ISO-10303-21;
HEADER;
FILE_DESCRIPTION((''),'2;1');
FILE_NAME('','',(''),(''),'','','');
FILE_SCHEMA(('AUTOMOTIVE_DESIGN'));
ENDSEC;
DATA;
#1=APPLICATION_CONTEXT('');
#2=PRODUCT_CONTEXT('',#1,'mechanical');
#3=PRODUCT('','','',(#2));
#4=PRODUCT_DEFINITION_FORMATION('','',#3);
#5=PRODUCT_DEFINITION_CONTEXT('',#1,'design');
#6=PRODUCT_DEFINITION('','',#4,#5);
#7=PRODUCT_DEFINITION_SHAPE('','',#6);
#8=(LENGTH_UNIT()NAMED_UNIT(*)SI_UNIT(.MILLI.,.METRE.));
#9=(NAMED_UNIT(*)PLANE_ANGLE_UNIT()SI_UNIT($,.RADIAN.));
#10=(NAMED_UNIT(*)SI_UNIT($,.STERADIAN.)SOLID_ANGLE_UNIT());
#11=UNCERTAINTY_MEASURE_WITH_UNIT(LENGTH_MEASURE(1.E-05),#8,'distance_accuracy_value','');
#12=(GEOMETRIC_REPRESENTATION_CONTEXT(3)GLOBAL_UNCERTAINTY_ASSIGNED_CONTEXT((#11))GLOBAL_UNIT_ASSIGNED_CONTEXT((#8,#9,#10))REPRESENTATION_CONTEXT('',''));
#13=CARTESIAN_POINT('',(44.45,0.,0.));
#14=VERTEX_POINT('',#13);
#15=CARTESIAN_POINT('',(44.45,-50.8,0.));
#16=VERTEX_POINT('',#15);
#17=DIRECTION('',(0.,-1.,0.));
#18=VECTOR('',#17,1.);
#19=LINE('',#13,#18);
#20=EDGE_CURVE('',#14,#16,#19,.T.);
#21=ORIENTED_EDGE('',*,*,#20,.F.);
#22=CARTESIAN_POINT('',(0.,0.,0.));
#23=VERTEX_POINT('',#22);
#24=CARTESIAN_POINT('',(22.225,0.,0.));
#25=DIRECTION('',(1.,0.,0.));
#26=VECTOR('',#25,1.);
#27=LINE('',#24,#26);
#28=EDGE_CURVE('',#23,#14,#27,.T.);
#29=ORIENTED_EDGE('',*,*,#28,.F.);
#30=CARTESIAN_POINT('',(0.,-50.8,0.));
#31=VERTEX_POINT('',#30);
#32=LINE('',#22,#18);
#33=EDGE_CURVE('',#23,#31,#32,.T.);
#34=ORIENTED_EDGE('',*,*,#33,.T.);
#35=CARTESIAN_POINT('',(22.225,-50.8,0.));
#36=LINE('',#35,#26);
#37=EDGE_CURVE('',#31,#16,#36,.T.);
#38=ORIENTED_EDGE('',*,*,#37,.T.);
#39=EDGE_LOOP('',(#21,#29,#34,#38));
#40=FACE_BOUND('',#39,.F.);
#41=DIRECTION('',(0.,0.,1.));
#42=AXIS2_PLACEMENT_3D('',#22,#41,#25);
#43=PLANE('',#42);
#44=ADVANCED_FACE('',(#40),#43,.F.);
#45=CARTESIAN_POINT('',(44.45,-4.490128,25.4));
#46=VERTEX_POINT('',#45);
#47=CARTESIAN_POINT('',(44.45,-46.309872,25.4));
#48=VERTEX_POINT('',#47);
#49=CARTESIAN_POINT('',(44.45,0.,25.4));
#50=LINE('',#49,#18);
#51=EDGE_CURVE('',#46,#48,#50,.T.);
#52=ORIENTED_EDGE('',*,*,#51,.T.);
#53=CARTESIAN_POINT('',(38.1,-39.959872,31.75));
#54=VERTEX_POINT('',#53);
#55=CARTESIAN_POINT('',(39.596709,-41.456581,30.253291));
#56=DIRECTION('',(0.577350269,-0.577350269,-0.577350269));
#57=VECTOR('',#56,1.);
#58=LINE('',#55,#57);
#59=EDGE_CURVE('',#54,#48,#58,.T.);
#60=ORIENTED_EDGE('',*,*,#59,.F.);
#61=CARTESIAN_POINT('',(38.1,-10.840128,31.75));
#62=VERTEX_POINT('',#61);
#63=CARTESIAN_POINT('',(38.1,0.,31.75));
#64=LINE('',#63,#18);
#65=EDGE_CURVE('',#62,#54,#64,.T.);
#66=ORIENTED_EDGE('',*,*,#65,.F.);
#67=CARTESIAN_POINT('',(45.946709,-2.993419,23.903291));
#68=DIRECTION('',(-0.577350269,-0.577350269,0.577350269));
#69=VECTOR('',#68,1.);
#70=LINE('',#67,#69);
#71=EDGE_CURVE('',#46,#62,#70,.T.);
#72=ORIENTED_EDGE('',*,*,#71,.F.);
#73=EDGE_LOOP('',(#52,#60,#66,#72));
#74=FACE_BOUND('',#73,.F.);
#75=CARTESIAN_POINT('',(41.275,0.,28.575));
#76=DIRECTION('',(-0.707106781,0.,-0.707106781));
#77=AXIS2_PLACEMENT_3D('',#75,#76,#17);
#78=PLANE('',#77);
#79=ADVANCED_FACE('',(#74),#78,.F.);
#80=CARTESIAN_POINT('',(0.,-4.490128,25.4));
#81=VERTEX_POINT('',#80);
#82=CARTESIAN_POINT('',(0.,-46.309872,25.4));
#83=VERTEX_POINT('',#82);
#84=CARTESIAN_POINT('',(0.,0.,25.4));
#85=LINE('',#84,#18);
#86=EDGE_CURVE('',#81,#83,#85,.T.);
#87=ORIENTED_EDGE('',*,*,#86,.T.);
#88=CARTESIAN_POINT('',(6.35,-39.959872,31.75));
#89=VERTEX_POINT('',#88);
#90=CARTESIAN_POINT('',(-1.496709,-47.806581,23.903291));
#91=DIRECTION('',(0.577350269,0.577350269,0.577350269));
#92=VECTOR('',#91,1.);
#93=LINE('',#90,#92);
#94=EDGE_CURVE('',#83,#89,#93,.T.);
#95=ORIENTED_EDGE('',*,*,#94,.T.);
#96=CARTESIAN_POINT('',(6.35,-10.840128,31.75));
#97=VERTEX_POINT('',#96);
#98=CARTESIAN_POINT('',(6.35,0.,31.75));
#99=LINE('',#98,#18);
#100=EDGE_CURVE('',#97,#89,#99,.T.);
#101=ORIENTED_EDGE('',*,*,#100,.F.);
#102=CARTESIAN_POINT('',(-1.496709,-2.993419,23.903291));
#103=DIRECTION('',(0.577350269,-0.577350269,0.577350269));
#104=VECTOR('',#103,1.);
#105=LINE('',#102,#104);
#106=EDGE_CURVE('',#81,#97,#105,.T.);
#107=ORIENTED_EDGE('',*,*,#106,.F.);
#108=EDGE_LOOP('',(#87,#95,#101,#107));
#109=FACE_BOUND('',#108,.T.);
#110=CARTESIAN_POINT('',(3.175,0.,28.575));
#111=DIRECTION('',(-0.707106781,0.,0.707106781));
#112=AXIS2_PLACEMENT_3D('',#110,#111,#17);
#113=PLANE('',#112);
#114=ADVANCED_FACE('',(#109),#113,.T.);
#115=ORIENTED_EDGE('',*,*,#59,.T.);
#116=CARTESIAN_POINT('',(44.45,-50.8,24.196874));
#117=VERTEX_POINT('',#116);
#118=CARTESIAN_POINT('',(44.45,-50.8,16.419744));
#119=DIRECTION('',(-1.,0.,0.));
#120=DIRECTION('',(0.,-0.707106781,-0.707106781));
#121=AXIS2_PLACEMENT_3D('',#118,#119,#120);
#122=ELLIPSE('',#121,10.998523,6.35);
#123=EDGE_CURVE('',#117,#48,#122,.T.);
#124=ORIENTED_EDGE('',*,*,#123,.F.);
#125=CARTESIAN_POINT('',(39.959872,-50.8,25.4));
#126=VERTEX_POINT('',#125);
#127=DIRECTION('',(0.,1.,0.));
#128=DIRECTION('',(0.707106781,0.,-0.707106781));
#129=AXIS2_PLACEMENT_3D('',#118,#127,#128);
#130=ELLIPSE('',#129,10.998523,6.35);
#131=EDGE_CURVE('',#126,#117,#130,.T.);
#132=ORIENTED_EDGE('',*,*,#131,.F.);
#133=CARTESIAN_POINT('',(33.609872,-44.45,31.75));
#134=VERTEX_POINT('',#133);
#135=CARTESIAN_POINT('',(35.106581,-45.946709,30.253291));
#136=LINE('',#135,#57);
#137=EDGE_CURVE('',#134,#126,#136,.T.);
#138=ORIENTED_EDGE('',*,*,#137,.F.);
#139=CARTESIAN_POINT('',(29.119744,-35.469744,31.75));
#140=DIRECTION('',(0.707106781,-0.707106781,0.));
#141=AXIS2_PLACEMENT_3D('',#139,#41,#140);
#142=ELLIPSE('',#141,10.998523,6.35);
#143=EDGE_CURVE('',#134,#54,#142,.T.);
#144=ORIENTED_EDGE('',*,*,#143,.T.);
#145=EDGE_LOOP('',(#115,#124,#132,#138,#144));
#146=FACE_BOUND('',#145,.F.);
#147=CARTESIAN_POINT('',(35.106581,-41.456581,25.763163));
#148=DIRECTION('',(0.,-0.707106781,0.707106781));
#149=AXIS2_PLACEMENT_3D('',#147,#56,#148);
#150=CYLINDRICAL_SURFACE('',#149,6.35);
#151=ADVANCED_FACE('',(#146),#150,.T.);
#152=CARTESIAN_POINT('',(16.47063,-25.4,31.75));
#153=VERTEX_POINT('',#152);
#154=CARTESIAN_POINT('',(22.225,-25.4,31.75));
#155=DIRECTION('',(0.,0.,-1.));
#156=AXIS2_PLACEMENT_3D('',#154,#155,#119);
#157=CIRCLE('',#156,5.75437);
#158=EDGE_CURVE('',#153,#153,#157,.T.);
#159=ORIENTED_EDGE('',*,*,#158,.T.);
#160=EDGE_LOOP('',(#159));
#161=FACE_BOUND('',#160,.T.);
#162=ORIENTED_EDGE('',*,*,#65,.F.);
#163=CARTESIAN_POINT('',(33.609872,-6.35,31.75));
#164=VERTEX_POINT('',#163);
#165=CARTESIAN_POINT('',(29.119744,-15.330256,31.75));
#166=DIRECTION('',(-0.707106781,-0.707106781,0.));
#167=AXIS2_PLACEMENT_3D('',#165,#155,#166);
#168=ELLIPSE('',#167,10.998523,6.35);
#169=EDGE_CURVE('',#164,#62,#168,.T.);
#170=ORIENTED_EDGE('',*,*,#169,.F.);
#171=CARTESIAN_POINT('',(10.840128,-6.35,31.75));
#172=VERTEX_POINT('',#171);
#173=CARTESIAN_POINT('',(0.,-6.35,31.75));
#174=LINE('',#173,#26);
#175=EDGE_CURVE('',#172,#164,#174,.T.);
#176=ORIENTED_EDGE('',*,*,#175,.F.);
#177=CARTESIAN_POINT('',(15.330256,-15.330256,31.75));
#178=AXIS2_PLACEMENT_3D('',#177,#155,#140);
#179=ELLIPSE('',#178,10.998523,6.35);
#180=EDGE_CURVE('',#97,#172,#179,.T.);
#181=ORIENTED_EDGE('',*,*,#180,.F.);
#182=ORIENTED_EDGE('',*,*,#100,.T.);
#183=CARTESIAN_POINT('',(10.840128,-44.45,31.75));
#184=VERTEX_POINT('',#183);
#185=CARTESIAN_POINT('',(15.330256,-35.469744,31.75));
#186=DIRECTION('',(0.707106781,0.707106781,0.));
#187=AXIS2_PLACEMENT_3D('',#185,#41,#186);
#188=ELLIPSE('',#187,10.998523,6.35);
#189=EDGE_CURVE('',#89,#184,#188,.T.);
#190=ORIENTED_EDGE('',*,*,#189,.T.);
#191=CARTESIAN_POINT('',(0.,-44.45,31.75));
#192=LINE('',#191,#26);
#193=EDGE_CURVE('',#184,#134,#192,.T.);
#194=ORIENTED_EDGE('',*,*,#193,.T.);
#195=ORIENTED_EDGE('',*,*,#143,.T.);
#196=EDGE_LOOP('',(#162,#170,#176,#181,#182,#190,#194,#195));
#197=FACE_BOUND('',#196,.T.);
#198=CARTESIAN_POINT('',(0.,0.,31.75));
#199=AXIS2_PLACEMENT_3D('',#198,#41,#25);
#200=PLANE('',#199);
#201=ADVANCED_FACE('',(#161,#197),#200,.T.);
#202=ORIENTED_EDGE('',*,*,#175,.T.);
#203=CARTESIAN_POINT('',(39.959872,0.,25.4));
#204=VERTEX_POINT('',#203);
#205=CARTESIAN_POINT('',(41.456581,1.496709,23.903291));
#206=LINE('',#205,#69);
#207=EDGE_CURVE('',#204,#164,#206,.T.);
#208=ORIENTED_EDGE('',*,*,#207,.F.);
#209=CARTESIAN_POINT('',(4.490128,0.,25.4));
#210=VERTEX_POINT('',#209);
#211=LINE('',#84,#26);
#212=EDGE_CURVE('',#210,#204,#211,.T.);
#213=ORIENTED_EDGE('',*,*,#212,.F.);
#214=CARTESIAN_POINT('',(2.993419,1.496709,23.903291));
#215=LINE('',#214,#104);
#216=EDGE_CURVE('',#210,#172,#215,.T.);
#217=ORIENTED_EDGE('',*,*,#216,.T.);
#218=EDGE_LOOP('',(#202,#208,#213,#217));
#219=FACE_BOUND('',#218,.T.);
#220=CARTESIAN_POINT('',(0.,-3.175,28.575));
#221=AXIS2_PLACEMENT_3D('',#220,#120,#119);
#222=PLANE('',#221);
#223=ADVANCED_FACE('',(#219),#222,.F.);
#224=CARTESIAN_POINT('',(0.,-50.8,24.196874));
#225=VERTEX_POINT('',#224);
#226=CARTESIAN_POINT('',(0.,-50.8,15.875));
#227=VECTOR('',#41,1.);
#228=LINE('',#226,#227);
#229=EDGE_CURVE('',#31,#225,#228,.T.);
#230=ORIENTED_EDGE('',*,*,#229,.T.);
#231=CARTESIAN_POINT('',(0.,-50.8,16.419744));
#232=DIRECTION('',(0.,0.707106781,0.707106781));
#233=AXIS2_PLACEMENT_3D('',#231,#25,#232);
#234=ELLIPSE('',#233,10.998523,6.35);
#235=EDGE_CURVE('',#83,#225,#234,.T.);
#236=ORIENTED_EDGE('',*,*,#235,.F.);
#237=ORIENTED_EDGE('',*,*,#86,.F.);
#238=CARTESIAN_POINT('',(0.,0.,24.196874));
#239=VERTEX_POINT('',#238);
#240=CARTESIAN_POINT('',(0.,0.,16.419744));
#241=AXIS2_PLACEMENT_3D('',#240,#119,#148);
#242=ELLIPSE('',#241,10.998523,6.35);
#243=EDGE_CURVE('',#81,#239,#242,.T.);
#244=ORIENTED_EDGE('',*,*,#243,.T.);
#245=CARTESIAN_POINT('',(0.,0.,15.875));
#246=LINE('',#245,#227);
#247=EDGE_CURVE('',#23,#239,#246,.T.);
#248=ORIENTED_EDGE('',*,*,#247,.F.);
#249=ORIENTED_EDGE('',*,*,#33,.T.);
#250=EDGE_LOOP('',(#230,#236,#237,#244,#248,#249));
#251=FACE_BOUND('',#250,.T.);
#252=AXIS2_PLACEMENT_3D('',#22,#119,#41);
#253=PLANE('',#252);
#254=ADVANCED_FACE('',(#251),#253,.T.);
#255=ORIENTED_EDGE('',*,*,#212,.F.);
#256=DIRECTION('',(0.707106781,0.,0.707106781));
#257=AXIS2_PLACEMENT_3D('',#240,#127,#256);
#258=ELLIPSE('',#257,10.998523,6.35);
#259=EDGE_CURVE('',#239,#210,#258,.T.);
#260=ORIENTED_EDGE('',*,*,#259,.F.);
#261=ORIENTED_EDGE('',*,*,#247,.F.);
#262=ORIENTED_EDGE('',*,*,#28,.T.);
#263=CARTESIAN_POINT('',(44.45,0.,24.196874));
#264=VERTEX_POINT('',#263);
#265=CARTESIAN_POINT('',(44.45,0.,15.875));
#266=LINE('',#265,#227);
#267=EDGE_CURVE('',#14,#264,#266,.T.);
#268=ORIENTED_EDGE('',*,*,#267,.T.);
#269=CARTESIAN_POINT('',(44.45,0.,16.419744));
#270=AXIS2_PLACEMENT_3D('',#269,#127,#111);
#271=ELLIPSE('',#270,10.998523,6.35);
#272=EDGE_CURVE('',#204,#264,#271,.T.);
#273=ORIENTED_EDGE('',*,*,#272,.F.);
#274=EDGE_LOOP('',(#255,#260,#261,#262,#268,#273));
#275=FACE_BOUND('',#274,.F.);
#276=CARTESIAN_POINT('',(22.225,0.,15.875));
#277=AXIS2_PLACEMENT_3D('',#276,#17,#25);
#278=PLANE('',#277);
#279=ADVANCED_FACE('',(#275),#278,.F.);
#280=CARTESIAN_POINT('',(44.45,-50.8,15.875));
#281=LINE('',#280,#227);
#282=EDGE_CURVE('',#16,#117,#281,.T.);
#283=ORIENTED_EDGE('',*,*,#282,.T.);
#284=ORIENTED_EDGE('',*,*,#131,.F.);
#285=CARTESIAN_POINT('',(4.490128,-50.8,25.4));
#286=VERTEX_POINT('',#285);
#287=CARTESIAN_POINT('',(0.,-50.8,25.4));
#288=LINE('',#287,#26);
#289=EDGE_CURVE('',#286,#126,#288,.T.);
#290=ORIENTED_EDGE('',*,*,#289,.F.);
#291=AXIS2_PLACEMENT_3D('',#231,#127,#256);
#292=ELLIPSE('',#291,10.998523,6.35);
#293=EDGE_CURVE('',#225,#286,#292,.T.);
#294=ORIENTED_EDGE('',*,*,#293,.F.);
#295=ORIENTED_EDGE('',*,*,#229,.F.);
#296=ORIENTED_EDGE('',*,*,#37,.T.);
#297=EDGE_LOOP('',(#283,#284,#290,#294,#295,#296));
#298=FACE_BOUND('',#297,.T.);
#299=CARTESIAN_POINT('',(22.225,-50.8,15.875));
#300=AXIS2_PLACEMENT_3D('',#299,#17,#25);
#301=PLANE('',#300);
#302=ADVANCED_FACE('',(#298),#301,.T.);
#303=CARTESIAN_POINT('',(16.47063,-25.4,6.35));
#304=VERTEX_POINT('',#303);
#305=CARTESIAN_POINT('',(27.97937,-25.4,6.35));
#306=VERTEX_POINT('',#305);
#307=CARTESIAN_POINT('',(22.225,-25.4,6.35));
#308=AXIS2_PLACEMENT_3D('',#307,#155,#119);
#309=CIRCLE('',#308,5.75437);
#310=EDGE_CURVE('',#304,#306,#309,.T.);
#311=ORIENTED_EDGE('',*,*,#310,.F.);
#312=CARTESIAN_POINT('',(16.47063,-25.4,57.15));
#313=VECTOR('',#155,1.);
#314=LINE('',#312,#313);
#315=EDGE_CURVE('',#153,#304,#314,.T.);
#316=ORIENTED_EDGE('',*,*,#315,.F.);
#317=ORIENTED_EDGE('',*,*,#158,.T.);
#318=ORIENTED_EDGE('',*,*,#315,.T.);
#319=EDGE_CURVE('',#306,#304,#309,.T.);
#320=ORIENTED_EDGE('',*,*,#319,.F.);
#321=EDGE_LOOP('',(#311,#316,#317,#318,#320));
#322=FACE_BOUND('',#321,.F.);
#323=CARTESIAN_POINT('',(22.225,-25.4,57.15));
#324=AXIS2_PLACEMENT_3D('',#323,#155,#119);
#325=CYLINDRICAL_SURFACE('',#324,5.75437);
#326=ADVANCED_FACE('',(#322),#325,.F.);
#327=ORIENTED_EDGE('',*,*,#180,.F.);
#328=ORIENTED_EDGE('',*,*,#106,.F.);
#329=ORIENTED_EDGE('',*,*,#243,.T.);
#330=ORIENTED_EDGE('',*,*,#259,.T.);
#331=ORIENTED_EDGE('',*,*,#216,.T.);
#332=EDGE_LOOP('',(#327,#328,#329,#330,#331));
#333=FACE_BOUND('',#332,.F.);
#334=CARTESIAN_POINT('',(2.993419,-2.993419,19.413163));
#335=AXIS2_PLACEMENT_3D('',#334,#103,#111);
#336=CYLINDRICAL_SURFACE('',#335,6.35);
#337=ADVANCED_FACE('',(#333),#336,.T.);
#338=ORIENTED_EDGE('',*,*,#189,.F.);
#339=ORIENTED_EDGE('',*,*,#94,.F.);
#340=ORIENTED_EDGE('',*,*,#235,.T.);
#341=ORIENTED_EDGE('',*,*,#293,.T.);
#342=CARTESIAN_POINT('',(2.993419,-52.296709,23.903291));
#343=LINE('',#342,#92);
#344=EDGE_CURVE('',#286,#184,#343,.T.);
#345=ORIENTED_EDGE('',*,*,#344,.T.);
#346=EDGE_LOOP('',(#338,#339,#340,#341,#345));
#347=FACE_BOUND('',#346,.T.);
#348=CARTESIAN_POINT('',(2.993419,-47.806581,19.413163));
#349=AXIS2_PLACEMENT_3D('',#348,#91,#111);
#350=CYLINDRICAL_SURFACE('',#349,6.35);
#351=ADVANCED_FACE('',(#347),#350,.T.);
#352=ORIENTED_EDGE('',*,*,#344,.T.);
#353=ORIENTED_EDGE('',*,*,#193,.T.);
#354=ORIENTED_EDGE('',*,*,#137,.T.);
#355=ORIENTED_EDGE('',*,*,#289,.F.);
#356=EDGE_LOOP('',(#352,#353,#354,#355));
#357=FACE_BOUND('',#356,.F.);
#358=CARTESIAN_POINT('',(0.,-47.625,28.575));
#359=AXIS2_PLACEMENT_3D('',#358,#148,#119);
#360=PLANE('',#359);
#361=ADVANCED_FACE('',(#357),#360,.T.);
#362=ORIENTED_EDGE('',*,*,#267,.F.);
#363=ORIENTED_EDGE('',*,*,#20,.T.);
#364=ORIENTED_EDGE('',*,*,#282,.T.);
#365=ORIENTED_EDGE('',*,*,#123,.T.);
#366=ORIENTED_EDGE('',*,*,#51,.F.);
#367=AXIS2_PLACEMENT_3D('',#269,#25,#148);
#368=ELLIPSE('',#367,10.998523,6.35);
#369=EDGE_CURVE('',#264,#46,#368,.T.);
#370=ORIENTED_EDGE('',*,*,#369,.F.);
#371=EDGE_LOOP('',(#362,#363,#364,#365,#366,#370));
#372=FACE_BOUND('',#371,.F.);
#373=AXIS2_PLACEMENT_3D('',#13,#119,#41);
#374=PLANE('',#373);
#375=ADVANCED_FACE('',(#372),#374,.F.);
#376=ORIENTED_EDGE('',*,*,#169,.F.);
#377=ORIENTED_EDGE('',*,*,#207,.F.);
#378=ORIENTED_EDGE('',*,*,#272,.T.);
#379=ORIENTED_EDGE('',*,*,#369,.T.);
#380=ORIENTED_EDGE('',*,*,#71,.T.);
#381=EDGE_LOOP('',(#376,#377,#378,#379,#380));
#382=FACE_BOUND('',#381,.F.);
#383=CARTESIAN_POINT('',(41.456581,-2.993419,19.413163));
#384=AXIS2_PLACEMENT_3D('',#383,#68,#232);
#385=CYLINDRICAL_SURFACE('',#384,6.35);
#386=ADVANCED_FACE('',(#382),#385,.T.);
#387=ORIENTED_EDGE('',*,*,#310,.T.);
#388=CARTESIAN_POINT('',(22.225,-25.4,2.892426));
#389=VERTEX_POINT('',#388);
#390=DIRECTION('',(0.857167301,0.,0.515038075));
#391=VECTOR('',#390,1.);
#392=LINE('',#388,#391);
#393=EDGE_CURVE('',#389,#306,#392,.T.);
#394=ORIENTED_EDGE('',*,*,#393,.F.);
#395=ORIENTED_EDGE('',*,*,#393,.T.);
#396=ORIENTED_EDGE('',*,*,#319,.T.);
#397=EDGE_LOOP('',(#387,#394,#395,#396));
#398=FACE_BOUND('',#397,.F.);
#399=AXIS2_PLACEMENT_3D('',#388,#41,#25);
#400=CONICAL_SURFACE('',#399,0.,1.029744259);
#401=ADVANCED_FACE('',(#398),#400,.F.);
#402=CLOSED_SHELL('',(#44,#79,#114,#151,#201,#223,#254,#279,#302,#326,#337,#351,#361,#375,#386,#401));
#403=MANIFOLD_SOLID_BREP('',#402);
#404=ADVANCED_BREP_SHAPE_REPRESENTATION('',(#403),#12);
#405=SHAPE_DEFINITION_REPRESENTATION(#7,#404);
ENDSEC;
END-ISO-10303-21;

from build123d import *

# Parameters (mm, degrees)
F0_W     = 44.45
F0_H     = 31.75
F1_DEPTH = 50.8
F3_SIZE2 = 6.35
F3_SIZE  = 6.35
F4_R     = 6.35
F5_D     = 11.50874
F5_DEPTH = 25.4
F5_TIP   = 3.4575743203


with BuildPart() as f1:
    # F0 (on Front) → F1 (new body)
    with BuildSketch(Plane.XZ):
        with Locations((22.225, 15.875)):
            Rectangle(F0_W, F0_H)
    extrude(amount=F1_DEPTH)

    # F3
    f3_edges = [f1.edges().sort_by_distance(p)[0] for p in [
        (0, -25.4, 31.75),
        (22.225, -50.8, 31.75),
        (44.45, -25.4, 31.75),
        (22.225, 0, 31.75),
    ]]
    chamfer(f3_edges, length=F3_SIZE, length2=F3_SIZE2)

    # F4
    f4_edges = [f1.edges().sort_by_distance(p)[0] for p in [
        (41.275, -47.625, 28.575),
        (41.275, -3.175, 28.575),
        (3.175, -3.175, 28.575),
        (3.175, -47.625, 28.575),
    ]]
    fillet(f4_edges, radius=F4_R)

    # F5
    with Locations(Plane.XY.offset(31.75)):
        with Locations((22.225, -25.4)):
            Hole(F5_D / 2, depth=F5_DEPTH)
            with Locations((0, 0, -(F5_DEPTH + F5_TIP / 2))):  # 118° drill point
                Cone(0, F5_D / 2, F5_TIP, mode=Mode.SUBTRACT)


solid = f1.part
